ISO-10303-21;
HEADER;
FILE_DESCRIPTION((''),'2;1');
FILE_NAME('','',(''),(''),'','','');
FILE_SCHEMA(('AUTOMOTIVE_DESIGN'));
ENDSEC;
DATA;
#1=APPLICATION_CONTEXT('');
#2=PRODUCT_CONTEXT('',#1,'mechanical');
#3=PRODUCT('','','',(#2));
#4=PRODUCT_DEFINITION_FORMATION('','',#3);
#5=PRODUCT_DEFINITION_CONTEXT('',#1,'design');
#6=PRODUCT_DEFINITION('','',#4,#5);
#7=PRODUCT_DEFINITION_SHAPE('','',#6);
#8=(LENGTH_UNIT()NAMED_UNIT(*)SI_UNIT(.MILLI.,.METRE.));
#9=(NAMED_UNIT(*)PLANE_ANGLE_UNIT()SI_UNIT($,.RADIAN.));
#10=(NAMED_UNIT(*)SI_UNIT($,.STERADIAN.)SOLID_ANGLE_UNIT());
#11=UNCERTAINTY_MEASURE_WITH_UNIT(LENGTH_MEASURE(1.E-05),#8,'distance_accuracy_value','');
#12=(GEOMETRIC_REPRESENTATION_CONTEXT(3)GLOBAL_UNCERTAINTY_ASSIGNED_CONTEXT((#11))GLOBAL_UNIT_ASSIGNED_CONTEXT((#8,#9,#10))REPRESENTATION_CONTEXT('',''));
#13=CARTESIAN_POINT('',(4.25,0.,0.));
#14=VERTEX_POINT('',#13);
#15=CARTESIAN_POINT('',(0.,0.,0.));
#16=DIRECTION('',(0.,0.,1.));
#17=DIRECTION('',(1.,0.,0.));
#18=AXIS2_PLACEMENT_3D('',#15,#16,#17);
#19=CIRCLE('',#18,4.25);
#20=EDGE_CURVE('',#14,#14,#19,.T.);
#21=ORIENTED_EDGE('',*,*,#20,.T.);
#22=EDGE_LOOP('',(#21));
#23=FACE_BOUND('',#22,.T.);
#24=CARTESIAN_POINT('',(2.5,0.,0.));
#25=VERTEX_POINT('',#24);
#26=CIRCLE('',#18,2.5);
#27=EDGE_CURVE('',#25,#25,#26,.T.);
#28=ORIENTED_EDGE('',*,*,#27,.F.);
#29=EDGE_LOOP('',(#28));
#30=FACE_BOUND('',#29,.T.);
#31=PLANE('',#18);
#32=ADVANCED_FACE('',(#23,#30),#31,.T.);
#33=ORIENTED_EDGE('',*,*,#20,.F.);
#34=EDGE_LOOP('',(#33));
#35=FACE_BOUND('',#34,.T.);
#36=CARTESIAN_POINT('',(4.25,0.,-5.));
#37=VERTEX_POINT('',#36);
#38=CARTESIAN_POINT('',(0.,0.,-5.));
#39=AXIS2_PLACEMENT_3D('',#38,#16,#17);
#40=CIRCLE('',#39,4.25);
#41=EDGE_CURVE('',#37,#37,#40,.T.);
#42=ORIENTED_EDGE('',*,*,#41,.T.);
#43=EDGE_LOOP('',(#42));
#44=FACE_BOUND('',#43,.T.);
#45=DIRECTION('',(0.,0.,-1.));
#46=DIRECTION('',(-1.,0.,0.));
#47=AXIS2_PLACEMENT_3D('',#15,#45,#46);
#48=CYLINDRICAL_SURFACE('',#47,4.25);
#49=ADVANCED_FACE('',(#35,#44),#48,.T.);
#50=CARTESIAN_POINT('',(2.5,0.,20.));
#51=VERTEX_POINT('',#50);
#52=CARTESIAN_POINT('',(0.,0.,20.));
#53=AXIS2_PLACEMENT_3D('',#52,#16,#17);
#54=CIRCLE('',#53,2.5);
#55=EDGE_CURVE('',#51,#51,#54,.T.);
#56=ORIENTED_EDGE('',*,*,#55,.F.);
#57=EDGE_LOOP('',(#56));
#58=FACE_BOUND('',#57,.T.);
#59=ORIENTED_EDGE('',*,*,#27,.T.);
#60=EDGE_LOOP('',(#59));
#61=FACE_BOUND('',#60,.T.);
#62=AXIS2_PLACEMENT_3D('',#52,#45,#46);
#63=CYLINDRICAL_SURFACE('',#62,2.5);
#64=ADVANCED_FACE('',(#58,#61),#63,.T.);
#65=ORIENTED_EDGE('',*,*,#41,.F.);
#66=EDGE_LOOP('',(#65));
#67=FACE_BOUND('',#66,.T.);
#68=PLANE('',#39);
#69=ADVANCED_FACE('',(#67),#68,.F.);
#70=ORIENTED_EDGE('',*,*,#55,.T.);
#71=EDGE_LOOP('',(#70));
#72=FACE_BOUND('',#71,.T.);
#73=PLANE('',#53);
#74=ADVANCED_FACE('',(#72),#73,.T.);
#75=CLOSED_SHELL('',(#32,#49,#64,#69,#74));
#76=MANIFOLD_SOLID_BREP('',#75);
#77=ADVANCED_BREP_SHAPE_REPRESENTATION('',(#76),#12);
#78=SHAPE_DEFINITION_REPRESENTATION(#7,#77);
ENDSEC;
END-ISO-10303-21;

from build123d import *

# Parameters (mm, degrees)
HEAD_ENVELOPE_START         = -5
SKETCH1_R                   = 4.25
HEAD_ENVELOPE_DEPTH         = 5
SKETCH2_R                   = 2.5
THREAD_MAJOR_ENVELOPE_DEPTH = 20


with BuildPart() as part:
    # Sketch1 → Head_Envelope (new body)
    with BuildSketch(Plane.XY.offset(HEAD_ENVELOPE_START)):
        Circle(SKETCH1_R)
    extrude(amount=HEAD_ENVELOPE_DEPTH)

    # Sketch2 → Thread_Major_Envelope (add)
    with BuildSketch(Plane.XY):
        Circle(SKETCH2_R)
    extrude(amount=THREAD_MAJOR_ENVELOPE_DEPTH)


solid = part.part
